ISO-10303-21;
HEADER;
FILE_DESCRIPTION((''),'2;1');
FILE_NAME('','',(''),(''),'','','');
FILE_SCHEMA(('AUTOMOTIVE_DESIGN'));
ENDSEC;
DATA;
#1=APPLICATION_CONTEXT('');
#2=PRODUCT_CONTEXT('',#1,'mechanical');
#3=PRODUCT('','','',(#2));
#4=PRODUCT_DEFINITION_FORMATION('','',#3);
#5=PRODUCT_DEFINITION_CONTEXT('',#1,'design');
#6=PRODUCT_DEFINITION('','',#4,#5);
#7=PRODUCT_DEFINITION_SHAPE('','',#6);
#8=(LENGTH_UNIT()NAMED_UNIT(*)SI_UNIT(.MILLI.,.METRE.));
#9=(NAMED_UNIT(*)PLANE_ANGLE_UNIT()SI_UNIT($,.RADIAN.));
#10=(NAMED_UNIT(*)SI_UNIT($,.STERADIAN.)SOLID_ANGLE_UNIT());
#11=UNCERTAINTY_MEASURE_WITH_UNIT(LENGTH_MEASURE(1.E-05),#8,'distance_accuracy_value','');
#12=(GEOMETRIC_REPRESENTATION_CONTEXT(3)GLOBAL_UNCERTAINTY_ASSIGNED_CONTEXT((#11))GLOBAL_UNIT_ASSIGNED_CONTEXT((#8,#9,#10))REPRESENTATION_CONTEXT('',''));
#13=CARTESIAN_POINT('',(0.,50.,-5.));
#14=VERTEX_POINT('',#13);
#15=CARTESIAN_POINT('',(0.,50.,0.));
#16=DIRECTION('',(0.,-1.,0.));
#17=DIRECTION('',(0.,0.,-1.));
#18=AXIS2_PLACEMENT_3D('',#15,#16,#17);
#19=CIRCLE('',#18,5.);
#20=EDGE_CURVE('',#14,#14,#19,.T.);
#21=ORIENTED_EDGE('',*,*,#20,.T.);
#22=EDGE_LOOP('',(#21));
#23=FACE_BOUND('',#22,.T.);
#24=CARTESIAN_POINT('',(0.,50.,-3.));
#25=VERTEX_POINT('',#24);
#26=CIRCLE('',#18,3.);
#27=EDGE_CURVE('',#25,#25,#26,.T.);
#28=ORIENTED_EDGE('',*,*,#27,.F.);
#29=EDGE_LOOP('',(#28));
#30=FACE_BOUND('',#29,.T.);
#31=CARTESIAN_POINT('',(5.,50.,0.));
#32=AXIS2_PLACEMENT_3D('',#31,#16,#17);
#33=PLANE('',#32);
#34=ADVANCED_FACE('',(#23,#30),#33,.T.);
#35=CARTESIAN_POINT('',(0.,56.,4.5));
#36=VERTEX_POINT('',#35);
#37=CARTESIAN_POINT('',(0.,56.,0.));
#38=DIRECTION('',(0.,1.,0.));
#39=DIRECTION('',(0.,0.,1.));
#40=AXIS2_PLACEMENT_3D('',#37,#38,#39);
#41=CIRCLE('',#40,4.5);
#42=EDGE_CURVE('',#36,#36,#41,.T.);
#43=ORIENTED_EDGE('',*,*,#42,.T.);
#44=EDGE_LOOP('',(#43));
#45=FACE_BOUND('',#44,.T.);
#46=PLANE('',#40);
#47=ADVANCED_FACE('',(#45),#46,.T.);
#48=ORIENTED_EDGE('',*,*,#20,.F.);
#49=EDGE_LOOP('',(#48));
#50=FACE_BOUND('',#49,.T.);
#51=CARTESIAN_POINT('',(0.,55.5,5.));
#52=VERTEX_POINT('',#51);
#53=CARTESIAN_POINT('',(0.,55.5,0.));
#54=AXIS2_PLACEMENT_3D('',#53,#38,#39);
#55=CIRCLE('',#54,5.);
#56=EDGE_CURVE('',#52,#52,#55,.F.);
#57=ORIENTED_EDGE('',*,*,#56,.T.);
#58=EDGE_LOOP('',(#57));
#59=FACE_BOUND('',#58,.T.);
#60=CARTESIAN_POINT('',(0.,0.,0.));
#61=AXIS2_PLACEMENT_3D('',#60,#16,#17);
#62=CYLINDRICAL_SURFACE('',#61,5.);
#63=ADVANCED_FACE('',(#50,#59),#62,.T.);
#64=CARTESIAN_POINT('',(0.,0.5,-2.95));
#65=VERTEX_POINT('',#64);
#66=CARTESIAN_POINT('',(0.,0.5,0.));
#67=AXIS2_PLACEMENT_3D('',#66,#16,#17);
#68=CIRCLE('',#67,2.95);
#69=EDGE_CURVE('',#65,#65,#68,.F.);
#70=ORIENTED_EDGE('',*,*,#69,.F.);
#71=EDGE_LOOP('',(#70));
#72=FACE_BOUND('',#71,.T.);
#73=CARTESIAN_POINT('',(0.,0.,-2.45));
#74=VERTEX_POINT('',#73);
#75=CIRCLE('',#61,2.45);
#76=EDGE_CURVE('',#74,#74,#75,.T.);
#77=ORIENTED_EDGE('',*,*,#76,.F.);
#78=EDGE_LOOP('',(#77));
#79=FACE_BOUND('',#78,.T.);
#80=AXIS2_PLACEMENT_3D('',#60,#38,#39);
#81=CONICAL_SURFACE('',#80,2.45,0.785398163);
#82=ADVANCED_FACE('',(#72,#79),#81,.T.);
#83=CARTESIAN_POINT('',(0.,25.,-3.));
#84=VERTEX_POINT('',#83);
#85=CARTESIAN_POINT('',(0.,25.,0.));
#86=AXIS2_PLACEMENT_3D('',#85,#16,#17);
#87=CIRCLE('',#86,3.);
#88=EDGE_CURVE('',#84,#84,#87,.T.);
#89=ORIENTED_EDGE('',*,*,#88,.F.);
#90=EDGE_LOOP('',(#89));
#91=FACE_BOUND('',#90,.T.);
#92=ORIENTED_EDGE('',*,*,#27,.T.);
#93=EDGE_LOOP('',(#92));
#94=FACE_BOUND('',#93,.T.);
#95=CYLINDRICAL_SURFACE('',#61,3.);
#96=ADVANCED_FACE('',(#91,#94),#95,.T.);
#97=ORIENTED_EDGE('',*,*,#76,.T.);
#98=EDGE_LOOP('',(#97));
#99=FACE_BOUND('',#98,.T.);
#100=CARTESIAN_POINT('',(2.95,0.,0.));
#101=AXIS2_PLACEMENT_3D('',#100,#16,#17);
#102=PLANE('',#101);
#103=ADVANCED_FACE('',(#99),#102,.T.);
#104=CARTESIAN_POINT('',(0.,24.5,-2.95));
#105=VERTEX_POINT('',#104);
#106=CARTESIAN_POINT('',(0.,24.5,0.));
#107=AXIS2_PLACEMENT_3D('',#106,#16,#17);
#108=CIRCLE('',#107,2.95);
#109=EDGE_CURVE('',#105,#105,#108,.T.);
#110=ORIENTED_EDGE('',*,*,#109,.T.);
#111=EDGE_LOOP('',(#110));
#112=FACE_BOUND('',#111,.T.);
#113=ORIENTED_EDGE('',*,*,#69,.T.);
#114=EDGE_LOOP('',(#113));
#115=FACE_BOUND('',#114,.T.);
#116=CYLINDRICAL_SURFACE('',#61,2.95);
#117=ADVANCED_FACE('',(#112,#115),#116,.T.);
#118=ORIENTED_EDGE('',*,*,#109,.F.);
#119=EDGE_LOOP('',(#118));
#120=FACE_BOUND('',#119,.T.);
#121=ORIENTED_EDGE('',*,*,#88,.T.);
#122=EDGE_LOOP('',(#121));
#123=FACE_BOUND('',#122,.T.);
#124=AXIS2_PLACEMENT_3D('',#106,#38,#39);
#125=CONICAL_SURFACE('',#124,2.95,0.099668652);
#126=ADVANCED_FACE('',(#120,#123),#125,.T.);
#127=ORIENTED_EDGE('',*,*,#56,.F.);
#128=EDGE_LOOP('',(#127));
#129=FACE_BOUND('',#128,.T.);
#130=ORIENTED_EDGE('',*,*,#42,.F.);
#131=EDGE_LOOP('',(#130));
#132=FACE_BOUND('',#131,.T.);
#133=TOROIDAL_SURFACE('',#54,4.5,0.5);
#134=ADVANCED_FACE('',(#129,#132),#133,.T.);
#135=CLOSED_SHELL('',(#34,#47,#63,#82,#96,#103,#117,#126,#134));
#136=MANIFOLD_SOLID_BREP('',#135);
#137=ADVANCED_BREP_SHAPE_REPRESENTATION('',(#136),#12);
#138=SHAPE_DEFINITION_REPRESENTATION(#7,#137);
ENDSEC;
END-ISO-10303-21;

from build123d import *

# Parameters (mm, degrees)
CHANFREIN1_SIZE = 0.5
CONG_1_R        = 0.5


with BuildPart() as part:
    # Esquisse1 → Révolution1 (revolve)
    with BuildSketch(Plane.XY, mode=Mode.PRIVATE) as r_volution1_sk:
        Polygon((0, 56), (5, 56), (5, 50), (3, 50), (3, 25), (2.95, 24.5), (2.95, 0), (0, 0), align=None)
    revolve(r_volution1_sk.sketch.rotate(Axis((0, 0, 0), (0, 1, 0)), 90), axis=Axis((0, 0, 0), (0, 1, 0)))

    # Chanfrein1
    chanfrein1_edges = [part.edges().sort_by_distance(p)[0] for p in [
        (0, 0, 2.95),
    ]]
    chamfer(chanfrein1_edges, length=CHANFREIN1_SIZE)

    # Congé1
    cong_1_edges = [part.edges().sort_by_distance(p)[0] for p in [
        (0, 56, 5),
    ]]
    fillet(cong_1_edges, radius=CONG_1_R)


solid = part.part
